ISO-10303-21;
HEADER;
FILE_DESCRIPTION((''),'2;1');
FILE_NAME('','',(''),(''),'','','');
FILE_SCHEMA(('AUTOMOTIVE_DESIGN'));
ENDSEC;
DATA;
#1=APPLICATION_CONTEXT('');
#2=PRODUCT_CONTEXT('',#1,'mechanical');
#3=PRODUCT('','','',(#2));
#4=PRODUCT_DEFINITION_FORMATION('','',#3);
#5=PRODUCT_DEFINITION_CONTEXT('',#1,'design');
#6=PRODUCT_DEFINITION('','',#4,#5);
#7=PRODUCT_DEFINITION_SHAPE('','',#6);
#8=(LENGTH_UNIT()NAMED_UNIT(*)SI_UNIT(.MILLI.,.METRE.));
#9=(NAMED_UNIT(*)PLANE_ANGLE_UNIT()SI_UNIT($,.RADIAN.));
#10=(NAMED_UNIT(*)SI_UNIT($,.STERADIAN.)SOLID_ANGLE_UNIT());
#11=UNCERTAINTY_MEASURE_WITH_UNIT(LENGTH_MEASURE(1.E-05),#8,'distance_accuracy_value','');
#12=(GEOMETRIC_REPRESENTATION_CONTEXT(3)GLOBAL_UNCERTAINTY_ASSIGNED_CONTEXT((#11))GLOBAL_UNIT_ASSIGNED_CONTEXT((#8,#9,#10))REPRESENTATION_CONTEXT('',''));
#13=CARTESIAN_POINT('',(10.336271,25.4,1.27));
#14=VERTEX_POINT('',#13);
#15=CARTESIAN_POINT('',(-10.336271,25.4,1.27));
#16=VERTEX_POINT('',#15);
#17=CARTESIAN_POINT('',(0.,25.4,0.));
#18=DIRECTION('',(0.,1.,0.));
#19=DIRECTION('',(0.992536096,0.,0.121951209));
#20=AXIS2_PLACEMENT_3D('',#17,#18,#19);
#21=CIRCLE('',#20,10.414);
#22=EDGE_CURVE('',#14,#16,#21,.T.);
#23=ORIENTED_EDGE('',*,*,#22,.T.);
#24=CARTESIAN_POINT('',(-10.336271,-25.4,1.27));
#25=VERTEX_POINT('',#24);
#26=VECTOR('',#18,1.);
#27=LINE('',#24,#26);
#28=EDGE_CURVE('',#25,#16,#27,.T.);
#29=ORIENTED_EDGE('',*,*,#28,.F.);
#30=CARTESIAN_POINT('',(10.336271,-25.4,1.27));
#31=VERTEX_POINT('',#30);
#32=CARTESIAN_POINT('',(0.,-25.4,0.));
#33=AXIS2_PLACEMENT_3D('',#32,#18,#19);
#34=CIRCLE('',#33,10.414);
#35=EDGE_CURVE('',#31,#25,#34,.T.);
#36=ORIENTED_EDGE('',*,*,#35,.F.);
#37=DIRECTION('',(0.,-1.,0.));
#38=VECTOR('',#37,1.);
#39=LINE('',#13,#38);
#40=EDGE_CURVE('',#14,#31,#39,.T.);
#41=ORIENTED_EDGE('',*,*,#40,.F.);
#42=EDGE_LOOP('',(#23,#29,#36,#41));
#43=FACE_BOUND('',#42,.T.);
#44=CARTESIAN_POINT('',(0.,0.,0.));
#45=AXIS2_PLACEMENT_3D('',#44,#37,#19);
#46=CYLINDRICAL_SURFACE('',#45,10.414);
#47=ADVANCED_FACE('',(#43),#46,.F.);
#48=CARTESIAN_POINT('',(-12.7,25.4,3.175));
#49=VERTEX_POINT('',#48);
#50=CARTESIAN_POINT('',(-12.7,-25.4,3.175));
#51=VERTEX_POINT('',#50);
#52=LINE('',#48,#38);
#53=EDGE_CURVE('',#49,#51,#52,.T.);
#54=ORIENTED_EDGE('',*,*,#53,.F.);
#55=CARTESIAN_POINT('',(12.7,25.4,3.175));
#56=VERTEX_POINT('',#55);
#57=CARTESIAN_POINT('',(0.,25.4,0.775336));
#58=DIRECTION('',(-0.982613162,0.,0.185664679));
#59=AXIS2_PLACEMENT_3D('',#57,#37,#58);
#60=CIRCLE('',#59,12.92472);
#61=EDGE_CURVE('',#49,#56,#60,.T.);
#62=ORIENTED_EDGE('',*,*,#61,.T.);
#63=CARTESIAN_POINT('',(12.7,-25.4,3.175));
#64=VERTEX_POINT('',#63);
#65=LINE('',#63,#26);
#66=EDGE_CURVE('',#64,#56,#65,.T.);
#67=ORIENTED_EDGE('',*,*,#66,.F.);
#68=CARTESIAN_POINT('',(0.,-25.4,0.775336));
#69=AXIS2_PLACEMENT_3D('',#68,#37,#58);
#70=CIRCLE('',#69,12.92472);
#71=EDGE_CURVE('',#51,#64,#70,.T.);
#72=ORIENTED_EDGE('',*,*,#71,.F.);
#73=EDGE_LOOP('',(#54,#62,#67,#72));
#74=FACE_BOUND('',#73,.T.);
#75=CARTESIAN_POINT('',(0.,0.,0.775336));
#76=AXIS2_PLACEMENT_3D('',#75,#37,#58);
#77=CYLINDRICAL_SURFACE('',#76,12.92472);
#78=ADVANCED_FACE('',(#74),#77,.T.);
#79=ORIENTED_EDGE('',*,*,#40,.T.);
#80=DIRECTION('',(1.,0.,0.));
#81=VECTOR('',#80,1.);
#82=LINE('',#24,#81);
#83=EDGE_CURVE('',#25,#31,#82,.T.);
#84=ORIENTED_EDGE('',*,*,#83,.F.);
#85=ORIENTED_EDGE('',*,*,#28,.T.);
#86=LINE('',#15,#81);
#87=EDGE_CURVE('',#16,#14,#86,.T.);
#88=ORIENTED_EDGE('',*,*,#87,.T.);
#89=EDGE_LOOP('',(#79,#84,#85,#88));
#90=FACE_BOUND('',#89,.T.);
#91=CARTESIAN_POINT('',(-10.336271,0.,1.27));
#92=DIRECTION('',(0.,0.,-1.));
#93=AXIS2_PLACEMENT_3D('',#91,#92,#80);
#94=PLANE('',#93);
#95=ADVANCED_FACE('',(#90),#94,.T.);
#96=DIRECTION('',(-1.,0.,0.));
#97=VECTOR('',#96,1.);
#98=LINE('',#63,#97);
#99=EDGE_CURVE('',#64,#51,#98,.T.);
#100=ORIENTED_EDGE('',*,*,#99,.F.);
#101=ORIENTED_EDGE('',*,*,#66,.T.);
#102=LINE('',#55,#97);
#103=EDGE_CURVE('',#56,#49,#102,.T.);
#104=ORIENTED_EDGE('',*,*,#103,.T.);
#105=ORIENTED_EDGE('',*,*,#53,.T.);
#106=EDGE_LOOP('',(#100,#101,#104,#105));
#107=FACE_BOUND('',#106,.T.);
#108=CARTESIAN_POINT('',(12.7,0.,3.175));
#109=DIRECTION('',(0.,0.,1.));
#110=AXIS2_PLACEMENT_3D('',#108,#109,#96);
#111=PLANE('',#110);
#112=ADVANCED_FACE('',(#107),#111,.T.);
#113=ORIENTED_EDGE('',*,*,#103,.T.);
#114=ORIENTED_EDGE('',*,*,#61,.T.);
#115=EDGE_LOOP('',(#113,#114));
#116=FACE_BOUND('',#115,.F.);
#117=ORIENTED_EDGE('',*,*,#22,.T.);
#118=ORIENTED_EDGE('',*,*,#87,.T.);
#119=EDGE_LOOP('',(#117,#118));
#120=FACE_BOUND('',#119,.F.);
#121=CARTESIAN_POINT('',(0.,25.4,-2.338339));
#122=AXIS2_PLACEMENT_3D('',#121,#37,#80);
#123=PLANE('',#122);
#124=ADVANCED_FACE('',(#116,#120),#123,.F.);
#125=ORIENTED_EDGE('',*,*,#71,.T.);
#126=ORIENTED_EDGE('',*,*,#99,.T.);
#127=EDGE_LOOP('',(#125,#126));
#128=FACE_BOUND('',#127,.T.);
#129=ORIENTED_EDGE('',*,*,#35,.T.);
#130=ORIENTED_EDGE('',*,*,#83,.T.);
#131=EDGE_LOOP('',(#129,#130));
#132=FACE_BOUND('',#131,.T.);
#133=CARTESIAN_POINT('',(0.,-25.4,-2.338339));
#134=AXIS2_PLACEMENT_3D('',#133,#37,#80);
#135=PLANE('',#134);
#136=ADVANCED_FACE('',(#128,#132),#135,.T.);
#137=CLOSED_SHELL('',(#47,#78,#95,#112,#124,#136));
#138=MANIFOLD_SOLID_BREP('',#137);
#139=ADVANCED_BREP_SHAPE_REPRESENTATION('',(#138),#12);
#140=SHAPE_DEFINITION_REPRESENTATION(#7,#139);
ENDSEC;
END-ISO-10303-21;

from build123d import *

# Parameters (mm, degrees)
F1_DEPTH = 25.4


with BuildPart() as f1:
    # F0 (on Front) → F1 (new body, symmetric)
    with BuildSketch(Plane.XZ):
        with BuildLine():
            Line((12.7, 3.175), (-12.7, 3.175))
            ThreePointArc((-12.7, 3.175), (0, -12.149384), (12.7, 3.175))
        make_face()
        with BuildLine():
            ThreePointArc((10.336271, 1.27), (0, -10.414), (-10.336271, 1.27))
            Line((-10.336271, 1.27), (10.336271, 1.27))
        make_face(mode=Mode.SUBTRACT)
    extrude(amount=F1_DEPTH, both=True)


solid = f1.part
